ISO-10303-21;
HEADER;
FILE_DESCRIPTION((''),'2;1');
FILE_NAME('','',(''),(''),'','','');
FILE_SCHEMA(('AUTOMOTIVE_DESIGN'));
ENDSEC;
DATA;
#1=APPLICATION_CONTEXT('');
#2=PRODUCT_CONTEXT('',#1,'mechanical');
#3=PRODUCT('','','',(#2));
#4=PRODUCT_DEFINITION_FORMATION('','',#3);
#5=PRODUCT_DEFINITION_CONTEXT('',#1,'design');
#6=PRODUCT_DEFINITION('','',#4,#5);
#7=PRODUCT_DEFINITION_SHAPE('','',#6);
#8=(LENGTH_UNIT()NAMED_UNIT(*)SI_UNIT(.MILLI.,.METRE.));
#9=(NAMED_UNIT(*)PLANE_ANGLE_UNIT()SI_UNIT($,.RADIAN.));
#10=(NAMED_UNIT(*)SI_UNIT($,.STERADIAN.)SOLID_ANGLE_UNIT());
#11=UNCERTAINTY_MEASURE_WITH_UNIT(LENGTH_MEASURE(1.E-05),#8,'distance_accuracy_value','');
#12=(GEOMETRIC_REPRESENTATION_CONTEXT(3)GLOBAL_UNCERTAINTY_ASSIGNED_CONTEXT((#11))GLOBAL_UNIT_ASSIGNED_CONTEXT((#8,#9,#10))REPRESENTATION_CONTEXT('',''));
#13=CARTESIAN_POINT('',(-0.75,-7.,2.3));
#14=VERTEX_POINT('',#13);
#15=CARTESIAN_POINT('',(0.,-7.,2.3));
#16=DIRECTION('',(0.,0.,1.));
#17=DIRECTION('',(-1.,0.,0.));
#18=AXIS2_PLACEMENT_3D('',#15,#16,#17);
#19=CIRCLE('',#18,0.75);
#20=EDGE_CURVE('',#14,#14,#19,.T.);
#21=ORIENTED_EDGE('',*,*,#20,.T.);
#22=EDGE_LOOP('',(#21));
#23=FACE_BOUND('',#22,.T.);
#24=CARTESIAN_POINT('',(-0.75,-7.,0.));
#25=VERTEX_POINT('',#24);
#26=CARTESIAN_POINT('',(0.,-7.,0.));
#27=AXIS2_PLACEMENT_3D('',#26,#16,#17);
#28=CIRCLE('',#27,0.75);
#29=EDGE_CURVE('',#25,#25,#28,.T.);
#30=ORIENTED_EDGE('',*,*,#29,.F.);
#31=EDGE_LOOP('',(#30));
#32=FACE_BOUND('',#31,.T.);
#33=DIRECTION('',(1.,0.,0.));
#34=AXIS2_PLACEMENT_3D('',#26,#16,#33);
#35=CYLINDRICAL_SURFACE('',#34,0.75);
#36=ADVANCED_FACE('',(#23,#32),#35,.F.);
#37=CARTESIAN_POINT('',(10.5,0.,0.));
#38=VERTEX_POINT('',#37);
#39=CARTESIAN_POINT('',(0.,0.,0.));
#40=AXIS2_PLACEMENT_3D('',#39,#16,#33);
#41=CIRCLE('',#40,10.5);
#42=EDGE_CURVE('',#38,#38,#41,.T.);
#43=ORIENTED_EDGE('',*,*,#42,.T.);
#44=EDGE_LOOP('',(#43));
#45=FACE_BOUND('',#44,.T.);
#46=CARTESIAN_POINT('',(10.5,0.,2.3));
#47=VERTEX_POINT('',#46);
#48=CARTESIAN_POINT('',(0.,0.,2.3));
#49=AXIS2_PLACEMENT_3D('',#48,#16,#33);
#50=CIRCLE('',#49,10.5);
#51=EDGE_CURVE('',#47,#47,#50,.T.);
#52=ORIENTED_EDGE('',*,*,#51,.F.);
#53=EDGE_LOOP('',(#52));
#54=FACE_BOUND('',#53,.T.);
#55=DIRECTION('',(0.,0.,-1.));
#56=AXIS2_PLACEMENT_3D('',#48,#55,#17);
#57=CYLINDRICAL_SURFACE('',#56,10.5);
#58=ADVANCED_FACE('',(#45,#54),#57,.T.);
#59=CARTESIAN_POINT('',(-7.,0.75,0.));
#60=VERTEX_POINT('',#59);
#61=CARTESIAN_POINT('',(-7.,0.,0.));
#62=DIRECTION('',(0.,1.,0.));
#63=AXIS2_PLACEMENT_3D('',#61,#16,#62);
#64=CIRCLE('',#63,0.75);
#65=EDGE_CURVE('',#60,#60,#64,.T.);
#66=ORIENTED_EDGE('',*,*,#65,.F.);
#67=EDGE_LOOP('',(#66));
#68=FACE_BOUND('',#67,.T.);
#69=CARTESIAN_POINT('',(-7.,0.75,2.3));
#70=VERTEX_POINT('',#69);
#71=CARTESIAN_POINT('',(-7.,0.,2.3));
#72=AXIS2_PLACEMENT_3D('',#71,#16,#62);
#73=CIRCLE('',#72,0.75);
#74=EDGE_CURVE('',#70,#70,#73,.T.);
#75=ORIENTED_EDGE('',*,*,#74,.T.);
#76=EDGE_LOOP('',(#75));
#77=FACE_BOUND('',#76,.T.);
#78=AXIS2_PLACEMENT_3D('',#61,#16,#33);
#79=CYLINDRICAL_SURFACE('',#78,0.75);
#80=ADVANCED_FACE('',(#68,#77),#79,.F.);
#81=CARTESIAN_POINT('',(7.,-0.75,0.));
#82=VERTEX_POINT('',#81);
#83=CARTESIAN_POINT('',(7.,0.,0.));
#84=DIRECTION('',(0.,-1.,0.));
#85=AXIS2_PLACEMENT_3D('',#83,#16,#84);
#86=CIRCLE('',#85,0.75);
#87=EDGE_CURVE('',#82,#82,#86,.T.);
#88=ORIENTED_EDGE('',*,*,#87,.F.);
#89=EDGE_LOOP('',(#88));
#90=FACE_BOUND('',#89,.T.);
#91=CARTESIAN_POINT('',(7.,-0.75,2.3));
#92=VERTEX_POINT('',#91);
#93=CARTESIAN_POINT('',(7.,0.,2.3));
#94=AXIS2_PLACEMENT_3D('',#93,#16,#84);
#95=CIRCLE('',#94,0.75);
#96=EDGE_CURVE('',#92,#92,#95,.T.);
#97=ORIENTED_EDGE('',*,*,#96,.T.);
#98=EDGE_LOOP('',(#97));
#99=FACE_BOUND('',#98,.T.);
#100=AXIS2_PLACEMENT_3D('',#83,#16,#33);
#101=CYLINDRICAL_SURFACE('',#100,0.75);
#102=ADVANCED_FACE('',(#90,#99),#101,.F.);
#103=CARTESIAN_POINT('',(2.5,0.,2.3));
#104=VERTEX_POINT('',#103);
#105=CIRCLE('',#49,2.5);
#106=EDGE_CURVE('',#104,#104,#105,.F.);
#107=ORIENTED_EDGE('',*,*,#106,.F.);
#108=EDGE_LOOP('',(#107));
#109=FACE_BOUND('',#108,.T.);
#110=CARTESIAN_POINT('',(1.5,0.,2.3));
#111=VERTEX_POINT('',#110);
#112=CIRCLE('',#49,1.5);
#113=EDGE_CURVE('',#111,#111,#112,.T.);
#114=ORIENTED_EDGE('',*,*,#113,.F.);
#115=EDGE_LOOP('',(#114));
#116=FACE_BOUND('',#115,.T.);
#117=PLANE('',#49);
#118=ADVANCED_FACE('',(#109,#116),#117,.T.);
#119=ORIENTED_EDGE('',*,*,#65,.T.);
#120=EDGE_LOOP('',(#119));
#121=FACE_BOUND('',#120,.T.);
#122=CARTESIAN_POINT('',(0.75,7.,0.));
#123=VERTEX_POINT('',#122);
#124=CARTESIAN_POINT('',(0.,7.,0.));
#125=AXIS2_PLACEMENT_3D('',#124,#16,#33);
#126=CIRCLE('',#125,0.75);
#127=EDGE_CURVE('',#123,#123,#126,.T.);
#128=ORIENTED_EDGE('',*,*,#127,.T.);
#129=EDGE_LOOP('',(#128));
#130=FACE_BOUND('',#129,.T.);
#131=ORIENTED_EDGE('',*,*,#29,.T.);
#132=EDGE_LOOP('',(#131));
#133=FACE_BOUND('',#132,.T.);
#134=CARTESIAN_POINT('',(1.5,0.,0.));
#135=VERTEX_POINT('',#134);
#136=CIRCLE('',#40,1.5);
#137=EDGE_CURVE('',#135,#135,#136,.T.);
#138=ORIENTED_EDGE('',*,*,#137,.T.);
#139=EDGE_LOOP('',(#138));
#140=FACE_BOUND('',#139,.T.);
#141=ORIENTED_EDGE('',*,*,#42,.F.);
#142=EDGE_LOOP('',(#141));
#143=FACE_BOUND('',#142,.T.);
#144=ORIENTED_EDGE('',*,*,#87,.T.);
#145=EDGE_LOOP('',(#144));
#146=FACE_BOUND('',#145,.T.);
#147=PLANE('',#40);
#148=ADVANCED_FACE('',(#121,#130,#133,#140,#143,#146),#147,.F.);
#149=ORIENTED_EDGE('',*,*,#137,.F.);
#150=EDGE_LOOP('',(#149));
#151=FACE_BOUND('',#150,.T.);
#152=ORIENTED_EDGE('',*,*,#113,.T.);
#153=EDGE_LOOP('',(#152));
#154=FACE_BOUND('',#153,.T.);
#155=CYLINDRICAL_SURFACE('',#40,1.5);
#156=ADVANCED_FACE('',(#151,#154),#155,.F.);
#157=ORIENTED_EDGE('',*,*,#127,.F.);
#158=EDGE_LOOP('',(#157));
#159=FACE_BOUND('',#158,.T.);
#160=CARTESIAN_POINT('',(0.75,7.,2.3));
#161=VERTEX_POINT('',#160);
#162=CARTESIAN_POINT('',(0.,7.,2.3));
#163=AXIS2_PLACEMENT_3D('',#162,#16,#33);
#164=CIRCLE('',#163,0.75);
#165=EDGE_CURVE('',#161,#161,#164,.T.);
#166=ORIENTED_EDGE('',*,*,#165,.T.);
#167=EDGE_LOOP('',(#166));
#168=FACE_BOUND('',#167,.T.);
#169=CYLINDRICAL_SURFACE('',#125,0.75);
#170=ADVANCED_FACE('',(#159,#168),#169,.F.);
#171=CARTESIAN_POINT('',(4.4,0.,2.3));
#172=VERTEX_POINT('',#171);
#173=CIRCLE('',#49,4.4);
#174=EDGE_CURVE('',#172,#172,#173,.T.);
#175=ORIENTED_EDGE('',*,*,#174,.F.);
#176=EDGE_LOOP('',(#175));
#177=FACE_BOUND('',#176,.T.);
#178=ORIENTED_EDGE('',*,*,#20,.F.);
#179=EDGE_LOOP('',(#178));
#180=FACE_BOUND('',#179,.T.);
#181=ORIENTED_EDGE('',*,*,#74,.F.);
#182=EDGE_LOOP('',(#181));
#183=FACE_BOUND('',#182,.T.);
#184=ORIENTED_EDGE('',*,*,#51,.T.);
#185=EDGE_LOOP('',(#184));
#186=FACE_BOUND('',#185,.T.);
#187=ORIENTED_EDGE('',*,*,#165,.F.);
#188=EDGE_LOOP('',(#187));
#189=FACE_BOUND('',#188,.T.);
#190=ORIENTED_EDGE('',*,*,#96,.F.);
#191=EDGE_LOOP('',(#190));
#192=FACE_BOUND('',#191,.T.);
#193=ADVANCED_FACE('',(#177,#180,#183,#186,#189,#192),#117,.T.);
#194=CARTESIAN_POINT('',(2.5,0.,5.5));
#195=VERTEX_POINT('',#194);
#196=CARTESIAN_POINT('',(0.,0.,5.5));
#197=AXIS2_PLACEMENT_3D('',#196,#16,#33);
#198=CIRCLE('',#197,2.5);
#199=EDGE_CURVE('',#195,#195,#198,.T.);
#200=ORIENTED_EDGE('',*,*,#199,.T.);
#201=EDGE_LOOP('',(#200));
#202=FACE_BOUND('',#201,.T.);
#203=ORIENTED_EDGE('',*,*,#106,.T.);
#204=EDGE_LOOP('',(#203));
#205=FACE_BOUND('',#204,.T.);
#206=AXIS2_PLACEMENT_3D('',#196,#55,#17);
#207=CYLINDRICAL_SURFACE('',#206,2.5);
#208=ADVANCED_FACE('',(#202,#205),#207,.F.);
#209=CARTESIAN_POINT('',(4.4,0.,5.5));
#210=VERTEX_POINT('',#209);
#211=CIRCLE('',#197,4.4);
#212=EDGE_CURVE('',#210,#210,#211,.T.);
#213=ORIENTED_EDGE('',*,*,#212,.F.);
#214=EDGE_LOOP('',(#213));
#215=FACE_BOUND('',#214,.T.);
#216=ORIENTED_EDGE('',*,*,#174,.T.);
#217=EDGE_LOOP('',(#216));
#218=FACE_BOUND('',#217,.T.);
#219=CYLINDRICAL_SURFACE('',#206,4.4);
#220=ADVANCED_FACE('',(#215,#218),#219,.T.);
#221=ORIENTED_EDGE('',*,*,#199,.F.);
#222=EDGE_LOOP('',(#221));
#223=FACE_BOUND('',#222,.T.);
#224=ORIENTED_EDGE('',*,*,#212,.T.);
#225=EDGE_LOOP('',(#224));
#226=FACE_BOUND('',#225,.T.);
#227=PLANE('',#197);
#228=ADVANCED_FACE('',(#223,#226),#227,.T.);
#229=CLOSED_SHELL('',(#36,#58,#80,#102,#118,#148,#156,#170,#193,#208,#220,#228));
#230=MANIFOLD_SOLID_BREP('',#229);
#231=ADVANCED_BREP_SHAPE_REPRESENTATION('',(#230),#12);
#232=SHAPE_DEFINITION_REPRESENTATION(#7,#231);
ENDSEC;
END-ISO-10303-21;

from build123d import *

# Parameters (mm, degrees)
SKETCH1_R           = 10.5
BOSS_EXTRUDE1_DEPTH = 2.3
SKETCH2_R           = 0.75
CUT_EXTRUDE1_DEPTH  = 3.3
SKETCH3_R           = 1.5
CUT_EXTRUDE2_DEPTH  = 2.3
CIRPATTERN1_COUNT   = 4
SKETCH4_R           = 4.4
SKETCH4_R_2         = 2.5
BOSS_EXTRUDE2_DEPTH = 3.2


with BuildPart() as part:
    # Sketch1 → Boss-Extrude1 (new body)
    with BuildSketch(Plane.XY):
        Circle(SKETCH1_R)
    extrude(amount=BOSS_EXTRUDE1_DEPTH)

    # Sketch2 → Cut-Extrude1 (cut, through all)
    with BuildSketch(Plane.XY.offset(2.3)):
        with Locations((0, 7)):
            Circle(SKETCH2_R)
    cut_extrude1 = extrude(amount=-CUT_EXTRUDE1_DEPTH, mode=Mode.SUBTRACT)

    # Sketch3 → Cut-Extrude2 (cut)
    with BuildSketch(Plane.XY.offset(2.3)):
        Circle(SKETCH3_R)
    extrude(amount=-CUT_EXTRUDE2_DEPTH, mode=Mode.SUBTRACT)

    # CirPattern1: Cut-Extrude1 ×4 about axis
    cirpattern1_axis = Axis((0, 0, 0), (0, 0, 1))
    for i in range(1, CIRPATTERN1_COUNT):
        add(cut_extrude1.rotate(cirpattern1_axis, i * 360 / CIRPATTERN1_COUNT), mode=Mode.SUBTRACT)

    # Sketch4 → Boss-Extrude2 (add)
    with BuildSketch(Plane.XY.offset(2.3)):
        Circle(SKETCH4_R)
        Circle(SKETCH4_R_2, mode=Mode.SUBTRACT)
    extrude(amount=BOSS_EXTRUDE2_DEPTH)


solid = part.part
